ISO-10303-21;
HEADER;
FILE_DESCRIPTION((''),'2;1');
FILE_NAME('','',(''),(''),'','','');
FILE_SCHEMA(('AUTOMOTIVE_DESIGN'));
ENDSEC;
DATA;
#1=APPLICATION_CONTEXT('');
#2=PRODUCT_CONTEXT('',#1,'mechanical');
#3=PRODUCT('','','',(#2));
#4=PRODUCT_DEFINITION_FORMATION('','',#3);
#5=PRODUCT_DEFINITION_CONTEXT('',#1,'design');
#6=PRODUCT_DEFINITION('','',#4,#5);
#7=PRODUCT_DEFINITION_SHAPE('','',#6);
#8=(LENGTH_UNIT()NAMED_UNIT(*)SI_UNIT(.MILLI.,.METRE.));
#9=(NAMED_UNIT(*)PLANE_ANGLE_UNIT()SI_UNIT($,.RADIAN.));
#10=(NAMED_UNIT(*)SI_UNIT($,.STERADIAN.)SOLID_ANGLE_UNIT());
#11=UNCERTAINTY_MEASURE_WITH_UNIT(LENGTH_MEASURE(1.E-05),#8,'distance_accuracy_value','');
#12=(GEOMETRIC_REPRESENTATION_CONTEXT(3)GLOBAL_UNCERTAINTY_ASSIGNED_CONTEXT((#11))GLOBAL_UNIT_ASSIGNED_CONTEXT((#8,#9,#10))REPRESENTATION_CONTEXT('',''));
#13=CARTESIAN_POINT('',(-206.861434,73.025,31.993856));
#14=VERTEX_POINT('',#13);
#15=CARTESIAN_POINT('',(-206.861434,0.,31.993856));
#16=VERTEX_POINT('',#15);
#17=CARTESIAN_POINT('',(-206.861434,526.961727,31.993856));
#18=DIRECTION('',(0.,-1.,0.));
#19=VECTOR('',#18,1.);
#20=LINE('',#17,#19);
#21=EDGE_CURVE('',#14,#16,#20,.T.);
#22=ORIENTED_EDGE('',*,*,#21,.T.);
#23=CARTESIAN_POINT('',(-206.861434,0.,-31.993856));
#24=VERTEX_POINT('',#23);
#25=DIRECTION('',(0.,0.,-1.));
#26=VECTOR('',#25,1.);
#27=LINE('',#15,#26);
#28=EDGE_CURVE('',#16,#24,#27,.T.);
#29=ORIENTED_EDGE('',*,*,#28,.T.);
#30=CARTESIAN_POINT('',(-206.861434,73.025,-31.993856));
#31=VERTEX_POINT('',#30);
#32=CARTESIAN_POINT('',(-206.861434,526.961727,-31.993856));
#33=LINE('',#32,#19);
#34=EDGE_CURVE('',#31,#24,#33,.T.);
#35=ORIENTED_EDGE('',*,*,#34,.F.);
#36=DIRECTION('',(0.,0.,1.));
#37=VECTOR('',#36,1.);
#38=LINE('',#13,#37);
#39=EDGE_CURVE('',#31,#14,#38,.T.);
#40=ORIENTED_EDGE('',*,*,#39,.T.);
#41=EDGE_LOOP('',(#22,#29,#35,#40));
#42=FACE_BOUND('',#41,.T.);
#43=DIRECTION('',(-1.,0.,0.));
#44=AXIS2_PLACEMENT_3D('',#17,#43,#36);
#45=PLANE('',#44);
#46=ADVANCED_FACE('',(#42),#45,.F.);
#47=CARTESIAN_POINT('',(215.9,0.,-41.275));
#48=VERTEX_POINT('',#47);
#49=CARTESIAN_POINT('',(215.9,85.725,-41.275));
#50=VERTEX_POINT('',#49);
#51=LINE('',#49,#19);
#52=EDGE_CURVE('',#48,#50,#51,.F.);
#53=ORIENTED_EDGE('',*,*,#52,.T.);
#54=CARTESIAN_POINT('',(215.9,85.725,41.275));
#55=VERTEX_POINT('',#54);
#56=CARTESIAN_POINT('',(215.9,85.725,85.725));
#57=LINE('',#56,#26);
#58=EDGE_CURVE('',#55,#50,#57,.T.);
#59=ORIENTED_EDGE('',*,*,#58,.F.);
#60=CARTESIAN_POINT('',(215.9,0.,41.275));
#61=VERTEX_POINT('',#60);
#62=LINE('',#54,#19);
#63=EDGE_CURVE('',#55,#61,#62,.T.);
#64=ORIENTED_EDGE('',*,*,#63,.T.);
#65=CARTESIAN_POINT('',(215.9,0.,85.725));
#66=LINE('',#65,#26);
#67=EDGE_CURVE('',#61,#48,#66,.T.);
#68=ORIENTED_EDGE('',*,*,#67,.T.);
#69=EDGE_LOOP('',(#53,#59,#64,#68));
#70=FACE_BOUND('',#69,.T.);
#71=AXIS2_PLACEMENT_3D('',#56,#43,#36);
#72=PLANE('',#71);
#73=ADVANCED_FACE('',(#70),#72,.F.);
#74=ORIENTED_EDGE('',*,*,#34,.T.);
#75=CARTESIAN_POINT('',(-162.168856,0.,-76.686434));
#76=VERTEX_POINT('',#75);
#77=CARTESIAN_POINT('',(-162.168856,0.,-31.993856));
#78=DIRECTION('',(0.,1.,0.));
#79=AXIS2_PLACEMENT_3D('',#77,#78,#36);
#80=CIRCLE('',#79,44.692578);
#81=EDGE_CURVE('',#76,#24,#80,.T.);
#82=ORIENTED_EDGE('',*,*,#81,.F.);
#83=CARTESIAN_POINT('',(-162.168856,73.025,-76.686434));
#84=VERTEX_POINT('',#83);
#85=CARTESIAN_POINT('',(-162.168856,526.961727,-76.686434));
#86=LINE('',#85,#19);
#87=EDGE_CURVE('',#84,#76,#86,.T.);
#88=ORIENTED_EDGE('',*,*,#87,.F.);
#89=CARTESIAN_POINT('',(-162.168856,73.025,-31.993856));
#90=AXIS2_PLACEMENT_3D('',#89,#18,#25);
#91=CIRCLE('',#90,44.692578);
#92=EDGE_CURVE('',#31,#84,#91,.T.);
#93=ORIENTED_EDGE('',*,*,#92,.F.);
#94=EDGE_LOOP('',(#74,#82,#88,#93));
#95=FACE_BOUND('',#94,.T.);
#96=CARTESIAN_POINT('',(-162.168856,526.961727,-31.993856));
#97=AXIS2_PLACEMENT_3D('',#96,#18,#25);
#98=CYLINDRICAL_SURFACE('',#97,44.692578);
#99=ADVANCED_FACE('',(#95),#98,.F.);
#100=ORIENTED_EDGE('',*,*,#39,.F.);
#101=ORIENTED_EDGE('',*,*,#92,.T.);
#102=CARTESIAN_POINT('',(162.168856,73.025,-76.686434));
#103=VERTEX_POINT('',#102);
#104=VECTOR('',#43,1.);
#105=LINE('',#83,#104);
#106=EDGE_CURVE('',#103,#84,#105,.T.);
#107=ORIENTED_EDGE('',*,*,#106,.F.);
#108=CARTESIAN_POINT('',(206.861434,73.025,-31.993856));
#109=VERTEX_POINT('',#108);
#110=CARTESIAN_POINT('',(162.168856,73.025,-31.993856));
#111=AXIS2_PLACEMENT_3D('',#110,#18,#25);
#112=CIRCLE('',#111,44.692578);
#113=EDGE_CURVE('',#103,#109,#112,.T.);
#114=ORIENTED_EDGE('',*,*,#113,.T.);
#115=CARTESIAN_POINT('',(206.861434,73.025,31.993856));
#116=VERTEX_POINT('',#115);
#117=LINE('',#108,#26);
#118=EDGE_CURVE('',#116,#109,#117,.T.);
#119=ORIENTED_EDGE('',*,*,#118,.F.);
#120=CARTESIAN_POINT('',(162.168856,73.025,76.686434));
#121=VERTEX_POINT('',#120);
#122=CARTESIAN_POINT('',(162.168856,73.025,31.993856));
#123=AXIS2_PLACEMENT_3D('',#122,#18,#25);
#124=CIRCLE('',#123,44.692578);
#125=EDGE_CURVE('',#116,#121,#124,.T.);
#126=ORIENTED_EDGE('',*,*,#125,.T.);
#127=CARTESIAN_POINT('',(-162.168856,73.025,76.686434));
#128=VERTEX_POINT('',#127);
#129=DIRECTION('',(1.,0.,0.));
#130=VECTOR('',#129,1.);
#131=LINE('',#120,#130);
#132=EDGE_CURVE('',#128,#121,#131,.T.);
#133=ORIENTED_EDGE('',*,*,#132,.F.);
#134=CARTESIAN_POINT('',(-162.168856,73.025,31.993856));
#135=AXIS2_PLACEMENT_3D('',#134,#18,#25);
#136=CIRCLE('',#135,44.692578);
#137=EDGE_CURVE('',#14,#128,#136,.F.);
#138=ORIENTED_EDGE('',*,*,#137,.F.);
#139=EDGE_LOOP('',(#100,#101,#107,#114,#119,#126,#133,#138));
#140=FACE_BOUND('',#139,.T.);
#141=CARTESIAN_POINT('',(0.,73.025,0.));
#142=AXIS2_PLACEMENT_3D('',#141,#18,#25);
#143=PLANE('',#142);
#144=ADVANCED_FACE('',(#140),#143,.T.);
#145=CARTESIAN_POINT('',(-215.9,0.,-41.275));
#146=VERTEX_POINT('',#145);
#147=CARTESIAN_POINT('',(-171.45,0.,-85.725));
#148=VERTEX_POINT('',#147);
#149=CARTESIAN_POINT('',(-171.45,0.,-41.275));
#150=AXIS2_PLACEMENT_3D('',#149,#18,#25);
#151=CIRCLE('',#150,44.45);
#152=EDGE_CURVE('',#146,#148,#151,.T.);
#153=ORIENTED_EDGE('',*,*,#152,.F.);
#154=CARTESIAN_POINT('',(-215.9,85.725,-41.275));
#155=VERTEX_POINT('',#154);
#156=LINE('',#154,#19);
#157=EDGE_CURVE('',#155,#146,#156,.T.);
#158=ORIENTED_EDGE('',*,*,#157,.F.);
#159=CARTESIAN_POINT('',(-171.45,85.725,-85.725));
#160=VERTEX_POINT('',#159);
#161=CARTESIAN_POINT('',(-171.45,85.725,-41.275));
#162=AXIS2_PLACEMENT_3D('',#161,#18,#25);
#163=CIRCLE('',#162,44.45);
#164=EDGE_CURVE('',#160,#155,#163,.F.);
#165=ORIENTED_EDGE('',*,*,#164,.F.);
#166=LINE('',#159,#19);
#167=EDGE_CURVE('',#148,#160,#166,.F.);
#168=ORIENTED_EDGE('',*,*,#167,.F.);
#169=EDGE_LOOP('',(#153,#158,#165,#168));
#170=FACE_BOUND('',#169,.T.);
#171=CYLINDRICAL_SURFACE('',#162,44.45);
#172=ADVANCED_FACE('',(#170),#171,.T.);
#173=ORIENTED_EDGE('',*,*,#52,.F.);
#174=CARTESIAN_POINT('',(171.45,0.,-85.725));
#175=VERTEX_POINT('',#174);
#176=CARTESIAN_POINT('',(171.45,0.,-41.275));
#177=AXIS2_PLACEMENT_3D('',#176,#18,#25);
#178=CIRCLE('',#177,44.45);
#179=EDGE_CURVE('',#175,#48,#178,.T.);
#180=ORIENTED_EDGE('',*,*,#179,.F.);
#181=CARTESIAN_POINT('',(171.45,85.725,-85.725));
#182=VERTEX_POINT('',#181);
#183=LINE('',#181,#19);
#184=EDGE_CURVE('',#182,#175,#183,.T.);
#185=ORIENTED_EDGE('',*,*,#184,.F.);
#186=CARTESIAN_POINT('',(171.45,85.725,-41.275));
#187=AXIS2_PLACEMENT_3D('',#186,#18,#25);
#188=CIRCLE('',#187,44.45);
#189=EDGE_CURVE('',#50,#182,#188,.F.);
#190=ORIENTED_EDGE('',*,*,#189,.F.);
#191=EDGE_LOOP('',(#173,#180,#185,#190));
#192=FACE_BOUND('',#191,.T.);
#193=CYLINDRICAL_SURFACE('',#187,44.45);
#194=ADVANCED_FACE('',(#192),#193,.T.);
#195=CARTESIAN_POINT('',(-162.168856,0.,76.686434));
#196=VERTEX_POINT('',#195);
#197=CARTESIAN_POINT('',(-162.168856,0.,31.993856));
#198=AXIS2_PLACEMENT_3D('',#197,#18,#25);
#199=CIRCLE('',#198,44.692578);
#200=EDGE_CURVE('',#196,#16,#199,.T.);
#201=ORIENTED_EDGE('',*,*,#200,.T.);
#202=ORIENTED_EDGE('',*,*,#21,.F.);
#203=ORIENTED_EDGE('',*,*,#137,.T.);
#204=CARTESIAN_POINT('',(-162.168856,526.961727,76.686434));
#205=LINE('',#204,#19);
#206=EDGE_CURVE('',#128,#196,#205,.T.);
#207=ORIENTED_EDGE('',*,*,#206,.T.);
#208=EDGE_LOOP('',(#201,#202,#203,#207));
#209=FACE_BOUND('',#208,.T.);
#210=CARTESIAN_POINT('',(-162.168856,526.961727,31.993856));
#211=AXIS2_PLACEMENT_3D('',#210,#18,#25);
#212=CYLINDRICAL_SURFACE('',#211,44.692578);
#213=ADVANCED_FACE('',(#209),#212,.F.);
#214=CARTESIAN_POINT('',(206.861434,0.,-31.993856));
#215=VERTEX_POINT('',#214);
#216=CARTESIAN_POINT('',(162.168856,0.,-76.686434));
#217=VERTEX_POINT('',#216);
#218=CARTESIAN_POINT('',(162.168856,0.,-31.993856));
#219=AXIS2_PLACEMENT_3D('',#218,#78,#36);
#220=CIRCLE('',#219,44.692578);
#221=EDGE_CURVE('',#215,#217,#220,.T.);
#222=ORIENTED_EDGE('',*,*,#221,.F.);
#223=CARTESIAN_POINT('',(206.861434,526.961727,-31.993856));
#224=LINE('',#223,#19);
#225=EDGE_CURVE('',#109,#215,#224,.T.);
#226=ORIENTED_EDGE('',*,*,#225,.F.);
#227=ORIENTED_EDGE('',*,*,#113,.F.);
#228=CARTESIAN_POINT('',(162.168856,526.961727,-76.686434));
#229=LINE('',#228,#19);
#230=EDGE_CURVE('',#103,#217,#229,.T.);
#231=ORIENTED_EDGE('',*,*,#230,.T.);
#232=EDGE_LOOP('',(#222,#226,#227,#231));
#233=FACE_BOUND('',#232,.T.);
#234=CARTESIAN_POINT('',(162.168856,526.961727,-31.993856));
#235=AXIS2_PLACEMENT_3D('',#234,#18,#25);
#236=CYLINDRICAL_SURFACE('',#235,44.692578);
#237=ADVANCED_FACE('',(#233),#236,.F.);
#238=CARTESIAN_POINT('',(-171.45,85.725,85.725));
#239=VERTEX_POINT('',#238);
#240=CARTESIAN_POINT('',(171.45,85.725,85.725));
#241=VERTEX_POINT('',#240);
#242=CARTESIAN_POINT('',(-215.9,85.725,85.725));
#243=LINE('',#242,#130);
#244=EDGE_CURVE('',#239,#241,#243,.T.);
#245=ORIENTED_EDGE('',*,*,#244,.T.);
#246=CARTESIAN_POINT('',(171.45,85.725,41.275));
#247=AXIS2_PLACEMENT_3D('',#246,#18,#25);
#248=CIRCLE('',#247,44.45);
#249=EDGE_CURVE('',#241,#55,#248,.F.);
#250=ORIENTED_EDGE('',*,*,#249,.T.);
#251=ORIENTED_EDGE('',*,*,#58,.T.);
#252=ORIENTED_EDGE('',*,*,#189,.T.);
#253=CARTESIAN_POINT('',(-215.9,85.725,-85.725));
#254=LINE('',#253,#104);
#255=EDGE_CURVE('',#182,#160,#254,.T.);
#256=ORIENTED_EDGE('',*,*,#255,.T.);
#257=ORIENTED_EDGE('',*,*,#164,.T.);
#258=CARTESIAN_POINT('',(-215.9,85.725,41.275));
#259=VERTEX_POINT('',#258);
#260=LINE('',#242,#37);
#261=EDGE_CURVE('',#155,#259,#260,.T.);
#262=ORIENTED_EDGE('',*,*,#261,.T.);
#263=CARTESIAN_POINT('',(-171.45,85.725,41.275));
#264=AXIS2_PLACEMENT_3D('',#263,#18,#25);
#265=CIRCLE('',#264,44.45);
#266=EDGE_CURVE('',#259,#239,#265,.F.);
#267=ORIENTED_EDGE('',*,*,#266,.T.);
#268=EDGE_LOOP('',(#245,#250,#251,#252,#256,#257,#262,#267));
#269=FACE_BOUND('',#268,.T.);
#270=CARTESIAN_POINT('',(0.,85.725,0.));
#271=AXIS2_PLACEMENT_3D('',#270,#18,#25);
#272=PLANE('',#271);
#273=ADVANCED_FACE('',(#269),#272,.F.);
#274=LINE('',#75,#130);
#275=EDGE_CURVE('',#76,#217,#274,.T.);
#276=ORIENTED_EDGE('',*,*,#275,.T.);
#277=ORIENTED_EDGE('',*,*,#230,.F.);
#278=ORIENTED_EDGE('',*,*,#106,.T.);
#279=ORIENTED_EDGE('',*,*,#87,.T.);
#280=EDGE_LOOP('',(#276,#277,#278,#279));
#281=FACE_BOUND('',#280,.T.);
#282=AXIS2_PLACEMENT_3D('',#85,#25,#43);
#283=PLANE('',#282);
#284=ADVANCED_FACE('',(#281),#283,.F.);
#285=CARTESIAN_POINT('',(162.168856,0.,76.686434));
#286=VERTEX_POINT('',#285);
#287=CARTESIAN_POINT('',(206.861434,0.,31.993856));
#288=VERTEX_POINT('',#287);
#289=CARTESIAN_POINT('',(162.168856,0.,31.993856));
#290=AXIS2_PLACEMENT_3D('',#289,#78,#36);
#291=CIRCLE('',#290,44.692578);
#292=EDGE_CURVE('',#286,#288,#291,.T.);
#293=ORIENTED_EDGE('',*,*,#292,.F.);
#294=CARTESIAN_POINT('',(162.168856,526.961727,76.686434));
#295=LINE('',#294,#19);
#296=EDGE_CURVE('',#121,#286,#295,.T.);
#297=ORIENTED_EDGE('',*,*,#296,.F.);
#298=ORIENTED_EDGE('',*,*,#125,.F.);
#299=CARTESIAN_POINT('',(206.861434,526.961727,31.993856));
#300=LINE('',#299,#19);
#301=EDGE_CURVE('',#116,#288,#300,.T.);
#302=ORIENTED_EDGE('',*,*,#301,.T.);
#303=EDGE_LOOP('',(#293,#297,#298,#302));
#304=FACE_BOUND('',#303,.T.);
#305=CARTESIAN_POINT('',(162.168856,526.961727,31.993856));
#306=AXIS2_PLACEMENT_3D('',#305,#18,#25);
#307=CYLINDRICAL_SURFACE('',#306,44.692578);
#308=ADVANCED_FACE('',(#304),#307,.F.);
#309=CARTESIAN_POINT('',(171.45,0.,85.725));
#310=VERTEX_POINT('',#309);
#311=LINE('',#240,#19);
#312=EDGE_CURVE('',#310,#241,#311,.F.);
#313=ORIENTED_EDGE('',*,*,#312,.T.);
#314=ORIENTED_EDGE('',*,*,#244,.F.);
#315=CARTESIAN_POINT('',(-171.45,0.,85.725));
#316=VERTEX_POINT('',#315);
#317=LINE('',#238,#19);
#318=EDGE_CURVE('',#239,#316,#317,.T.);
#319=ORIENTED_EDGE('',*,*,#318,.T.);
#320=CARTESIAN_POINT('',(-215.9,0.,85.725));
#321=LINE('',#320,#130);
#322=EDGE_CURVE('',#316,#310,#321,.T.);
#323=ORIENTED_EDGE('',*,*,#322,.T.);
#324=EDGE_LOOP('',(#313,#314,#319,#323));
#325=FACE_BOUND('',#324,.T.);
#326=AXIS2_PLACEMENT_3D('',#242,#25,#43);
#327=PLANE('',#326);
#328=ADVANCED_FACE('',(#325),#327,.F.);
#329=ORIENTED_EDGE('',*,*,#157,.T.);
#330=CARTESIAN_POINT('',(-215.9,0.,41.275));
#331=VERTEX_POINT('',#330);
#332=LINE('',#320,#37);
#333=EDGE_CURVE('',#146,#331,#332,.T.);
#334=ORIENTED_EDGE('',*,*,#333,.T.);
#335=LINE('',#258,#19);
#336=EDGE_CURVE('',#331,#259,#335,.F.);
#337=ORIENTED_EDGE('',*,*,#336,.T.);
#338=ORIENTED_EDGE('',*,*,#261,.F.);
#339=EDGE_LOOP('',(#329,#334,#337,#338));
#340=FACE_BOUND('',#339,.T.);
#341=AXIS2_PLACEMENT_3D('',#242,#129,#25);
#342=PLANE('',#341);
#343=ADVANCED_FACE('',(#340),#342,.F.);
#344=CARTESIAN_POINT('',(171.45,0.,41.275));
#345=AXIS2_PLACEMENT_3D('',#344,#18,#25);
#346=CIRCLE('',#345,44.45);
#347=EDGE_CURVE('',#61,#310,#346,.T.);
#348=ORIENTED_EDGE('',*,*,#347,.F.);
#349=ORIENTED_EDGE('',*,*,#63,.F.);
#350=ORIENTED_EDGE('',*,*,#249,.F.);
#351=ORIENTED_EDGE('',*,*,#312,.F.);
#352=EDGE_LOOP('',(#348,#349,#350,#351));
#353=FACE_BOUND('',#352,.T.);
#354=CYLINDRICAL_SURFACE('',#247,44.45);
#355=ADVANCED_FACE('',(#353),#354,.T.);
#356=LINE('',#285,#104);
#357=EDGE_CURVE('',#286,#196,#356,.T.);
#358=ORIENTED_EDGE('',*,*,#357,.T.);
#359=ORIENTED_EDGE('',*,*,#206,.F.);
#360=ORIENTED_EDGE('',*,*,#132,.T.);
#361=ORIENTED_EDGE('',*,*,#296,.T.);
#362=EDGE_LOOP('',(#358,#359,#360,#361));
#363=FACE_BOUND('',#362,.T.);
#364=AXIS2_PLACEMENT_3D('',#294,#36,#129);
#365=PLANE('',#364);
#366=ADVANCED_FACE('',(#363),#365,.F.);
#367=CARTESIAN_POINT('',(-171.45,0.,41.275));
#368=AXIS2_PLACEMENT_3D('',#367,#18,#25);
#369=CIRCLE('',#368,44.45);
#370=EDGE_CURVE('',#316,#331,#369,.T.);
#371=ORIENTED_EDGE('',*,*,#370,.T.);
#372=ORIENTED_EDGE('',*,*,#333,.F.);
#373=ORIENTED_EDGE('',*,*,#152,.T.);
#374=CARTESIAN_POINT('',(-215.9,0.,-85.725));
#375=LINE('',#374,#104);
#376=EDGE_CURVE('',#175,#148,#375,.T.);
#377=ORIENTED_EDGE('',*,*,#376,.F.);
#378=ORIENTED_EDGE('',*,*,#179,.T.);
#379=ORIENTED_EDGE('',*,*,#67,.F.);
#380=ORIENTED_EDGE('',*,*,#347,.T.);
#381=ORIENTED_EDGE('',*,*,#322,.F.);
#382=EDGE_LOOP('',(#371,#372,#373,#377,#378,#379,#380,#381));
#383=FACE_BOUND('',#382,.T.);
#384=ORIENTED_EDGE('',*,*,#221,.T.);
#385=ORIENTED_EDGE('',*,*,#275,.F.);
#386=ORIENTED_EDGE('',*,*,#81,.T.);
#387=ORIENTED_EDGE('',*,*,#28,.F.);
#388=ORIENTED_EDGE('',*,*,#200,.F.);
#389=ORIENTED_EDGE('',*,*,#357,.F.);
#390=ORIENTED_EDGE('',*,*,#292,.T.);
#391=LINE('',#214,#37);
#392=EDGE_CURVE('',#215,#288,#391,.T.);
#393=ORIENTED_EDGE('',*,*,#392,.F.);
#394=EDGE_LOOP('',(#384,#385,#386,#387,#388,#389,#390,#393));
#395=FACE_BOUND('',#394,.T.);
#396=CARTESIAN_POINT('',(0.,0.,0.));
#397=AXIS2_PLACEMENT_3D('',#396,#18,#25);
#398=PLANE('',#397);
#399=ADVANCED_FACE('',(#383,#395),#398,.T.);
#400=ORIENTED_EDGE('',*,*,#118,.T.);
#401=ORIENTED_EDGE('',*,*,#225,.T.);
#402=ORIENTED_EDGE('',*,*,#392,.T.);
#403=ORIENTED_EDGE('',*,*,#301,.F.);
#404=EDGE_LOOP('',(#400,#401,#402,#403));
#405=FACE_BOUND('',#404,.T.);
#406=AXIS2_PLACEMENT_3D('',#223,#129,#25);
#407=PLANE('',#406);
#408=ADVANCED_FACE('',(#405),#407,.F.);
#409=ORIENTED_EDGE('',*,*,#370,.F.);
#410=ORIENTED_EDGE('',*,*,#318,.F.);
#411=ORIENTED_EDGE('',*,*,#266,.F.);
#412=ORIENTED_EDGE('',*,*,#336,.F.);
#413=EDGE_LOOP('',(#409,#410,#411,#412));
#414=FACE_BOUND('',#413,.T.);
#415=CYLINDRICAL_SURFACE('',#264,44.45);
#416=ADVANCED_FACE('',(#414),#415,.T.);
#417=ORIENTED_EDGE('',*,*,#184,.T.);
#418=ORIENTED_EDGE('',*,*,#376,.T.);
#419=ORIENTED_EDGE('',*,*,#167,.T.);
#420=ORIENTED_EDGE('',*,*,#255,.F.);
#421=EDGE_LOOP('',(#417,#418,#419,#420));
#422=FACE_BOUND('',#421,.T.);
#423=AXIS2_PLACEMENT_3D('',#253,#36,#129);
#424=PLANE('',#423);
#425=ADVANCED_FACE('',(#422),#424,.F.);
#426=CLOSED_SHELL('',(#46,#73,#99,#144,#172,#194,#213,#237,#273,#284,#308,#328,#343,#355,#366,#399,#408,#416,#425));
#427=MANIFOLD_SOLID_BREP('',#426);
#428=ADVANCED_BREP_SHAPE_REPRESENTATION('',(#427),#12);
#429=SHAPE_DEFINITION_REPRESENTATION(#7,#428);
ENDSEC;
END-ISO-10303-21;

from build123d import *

# Parameters (mm, degrees)
SKETCH1_W           = 431.8
SKETCH1_H           = 171.45
BOSS_EXTRUDE1_DEPTH = 85.725
CUT_EXTRUDE1_DEPTH  = 73.025
FILLET3_R           = 44.45


with BuildPart() as part:
    # Sketch1 → Boss-Extrude1 (new body)
    with BuildSketch(Plane(origin=(0, 0, 0), x_dir=(1, 0, 0), z_dir=(0, 1, 0))):
        Rectangle(SKETCH1_W, SKETCH1_H)
    extrude(amount=BOSS_EXTRUDE1_DEPTH)

    # Sketch2 → Cut-Extrude1 (cut)
    with BuildSketch(Plane.XZ):
        with BuildLine():
            Line((162.16885638, 76.686434381), (-162.16885638, 76.686434381))
            ThreePointArc((-162.16885638, 76.686434381), (-193.771281353, 63.596281353), (-206.861434381, 31.99385638))
            Line((-206.861434381, 31.99385638), (-206.861434381, -31.99385638))
            ThreePointArc((-206.861434381, -31.99385638), (-193.771281353, -63.596281353), (-162.16885638, -76.686434381))
            Line((-162.16885638, -76.686434381), (162.16885638, -76.686434381))
            ThreePointArc((162.16885638, -76.686434381), (193.771281353, -63.596281353), (206.861434381, -31.99385638))
            Line((206.861434381, -31.99385638), (206.861434381, 31.99385638))
            ThreePointArc((206.861434381, 31.99385638), (193.771281353, 63.596281353), (162.16885638, 76.686434381))
        make_face()
    extrude(amount=-CUT_EXTRUDE1_DEPTH, mode=Mode.SUBTRACT)

    # Fillet3
    fillet3_edges = [part.edges().sort_by_distance(p)[0] for p in [
        (215.9, 42.8625, 85.725),
        (-215.9, 42.8625, 85.725),
        (-215.9, 42.8625, -85.725),
        (215.9, 42.8625, -85.725),
    ]]
    fillet(fillet3_edges, radius=FILLET3_R)


solid = part.part
